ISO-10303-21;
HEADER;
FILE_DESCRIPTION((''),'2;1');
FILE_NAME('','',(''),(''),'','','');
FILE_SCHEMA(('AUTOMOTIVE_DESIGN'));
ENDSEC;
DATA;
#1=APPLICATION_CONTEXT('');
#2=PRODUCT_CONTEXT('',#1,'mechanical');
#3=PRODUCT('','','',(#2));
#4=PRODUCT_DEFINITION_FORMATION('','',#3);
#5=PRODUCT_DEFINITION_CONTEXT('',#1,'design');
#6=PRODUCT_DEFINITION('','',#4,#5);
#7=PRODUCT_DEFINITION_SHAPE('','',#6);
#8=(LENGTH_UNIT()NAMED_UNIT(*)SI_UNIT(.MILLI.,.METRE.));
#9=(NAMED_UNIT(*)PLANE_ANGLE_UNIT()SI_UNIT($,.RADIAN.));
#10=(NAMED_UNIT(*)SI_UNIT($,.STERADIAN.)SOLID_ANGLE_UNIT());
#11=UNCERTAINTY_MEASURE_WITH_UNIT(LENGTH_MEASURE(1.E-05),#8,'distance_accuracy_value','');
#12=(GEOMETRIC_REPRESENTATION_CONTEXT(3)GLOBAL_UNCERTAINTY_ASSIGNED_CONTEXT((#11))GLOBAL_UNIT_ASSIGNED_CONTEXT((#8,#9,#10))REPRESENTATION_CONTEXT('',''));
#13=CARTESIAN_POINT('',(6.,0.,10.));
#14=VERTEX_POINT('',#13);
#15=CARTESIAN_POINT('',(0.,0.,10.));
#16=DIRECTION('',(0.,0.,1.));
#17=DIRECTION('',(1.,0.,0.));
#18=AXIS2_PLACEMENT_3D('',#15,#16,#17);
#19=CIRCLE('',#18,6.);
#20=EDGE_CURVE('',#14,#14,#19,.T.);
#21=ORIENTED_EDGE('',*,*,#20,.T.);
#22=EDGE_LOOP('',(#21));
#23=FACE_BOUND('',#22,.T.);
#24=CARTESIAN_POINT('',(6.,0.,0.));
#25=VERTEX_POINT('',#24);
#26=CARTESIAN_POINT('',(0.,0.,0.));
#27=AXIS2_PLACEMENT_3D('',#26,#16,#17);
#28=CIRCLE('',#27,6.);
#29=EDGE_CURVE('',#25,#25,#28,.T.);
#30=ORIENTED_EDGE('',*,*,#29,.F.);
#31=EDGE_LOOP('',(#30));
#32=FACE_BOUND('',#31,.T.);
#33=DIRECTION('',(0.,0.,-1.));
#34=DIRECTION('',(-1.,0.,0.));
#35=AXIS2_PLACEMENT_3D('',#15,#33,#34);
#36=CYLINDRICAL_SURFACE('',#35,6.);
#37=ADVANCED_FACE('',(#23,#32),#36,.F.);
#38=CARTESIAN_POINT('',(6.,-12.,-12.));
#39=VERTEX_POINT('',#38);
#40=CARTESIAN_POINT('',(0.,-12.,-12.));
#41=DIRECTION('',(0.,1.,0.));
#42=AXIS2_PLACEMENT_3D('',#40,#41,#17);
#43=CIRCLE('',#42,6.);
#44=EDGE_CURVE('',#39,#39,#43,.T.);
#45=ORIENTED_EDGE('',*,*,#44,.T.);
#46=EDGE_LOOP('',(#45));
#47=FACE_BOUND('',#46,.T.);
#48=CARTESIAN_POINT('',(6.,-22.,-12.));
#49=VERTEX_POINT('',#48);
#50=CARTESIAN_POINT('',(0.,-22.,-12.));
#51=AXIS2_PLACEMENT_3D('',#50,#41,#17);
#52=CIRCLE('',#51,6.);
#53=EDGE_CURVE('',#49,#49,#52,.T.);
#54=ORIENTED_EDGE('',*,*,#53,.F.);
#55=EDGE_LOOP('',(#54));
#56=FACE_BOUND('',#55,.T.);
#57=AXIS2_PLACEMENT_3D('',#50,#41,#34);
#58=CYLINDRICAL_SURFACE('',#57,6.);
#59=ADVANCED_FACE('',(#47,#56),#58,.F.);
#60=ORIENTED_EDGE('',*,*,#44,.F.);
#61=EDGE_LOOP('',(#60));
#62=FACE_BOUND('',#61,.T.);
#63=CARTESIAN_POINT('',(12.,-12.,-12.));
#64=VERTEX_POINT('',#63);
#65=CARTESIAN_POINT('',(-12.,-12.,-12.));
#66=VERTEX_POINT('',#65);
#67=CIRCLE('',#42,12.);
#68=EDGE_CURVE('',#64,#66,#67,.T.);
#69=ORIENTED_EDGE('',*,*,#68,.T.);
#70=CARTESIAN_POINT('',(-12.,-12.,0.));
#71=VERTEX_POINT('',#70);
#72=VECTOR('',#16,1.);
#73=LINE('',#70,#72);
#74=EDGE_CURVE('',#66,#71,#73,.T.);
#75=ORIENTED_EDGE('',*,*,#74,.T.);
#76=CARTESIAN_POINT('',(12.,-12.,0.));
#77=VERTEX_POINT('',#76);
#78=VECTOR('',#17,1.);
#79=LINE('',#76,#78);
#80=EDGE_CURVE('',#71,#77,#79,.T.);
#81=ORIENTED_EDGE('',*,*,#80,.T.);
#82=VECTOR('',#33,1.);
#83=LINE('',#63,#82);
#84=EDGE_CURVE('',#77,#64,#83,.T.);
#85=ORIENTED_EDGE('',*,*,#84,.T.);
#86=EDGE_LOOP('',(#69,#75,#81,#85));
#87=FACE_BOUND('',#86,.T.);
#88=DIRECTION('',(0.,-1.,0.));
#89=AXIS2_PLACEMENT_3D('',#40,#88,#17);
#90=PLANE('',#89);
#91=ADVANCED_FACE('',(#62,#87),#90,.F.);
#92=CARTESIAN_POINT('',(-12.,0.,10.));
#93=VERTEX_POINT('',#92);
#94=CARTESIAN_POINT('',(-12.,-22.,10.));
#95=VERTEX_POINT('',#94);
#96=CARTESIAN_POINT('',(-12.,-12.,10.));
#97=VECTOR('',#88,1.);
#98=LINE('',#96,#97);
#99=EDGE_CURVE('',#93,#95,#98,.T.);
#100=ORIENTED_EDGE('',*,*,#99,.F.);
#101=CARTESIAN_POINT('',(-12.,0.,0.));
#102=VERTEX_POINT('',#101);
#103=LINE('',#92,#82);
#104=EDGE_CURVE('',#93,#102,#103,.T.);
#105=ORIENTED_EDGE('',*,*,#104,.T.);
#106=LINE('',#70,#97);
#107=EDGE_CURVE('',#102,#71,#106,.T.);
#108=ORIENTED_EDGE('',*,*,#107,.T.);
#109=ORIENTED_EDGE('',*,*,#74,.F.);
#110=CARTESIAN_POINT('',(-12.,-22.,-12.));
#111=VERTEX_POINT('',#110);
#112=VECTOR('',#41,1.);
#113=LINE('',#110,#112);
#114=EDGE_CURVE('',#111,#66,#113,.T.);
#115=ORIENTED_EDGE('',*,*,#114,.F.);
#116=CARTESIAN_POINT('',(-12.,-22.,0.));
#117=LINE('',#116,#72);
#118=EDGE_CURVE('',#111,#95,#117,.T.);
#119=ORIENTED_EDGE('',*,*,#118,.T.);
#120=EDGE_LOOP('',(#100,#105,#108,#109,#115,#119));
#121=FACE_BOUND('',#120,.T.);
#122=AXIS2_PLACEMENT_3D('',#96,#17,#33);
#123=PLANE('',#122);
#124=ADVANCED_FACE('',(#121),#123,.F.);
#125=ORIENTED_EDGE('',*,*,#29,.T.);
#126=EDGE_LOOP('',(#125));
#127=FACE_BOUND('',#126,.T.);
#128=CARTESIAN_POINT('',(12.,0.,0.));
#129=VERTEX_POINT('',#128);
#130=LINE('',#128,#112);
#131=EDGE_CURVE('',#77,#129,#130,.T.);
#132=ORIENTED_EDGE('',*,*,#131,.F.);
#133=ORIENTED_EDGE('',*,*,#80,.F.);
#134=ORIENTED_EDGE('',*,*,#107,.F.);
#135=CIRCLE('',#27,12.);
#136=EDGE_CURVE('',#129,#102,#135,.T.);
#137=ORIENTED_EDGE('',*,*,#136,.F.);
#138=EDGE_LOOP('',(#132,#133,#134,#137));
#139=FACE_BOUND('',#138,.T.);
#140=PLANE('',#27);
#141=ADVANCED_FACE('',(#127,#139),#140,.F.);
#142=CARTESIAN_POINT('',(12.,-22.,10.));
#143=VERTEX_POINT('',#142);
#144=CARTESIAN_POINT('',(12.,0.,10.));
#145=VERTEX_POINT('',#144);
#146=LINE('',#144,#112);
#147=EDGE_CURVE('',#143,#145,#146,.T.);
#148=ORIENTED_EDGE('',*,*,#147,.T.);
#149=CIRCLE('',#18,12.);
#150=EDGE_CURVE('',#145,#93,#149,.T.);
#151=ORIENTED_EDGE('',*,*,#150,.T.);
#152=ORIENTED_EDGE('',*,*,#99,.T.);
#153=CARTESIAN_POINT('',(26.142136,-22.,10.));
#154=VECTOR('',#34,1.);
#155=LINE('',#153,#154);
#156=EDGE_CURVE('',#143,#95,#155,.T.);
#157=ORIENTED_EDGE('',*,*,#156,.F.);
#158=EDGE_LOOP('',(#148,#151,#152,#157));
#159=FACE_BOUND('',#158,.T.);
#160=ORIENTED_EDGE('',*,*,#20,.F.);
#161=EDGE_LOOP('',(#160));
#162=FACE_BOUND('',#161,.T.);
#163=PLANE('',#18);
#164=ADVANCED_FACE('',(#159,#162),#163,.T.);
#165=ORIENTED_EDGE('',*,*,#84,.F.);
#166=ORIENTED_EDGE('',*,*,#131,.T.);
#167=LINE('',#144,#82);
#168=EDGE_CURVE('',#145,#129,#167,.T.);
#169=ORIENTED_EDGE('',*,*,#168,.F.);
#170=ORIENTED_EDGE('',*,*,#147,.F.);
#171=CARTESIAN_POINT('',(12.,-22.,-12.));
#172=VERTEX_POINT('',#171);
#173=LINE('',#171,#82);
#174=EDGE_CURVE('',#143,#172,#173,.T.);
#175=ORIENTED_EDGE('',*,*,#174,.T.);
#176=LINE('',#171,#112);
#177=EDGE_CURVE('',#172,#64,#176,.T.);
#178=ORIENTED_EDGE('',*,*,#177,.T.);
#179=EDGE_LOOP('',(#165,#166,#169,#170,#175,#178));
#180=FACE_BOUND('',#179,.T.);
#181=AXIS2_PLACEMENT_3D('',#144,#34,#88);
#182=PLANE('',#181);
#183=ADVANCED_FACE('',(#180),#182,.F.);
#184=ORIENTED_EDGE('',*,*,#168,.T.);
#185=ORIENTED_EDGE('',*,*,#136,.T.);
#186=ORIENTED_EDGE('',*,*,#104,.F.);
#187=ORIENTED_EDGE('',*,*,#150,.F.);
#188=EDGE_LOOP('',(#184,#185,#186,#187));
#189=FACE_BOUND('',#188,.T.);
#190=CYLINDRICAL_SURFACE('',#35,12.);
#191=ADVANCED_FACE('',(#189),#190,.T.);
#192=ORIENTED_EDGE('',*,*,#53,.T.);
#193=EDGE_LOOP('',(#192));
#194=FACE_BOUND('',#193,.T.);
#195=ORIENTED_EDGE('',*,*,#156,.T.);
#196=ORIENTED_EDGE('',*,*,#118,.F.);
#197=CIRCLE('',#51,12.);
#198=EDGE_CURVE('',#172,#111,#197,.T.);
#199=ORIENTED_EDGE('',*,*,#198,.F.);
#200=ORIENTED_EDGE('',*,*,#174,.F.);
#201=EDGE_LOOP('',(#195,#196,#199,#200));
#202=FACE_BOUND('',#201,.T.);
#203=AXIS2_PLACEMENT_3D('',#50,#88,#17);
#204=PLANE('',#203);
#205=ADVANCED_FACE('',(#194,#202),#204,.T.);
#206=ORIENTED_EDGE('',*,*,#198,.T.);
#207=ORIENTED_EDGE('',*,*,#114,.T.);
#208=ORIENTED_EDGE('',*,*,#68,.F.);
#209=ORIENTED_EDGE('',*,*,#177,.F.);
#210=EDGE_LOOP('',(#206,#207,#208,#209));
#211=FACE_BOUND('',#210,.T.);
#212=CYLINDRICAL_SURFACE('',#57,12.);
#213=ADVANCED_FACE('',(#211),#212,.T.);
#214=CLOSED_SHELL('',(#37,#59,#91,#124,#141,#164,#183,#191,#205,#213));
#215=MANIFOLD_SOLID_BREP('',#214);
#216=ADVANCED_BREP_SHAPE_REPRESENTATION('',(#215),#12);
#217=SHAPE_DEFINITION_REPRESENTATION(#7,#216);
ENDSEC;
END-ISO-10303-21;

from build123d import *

# Parameters (mm, degrees)
SKETCH1_R           = 6
BOSS_EXTRUDE1_DEPTH = 10
BOSS_EXTRUDE2_DEPTH = 24


with BuildPart() as part:
    # Sketch1 → Boss-Extrude1 (new body)
    with BuildSketch(Plane.XY):
        with BuildLine():
            Line((12, 0), (12, -12))
            Line((12, -12), (-12, -12))
            Line((-12, -12), (-12, 0))
            ThreePointArc((-12, 0), (0, 12), (12, 0))
        make_face()
        Circle(SKETCH1_R, mode=Mode.SUBTRACT)
    extrude(amount=BOSS_EXTRUDE1_DEPTH)

    # Sketch3 → Boss-Extrude2 (add)
    with BuildSketch(Plane.ZY.offset(12)):
        Polygon((0, -12), (10, -22), (10, -12), align=None)
    extrude(amount=-BOSS_EXTRUDE2_DEPTH)

    # Mirror6: part across plane


with BuildPart() as part_1:
    add(part.part)
    add(part.part.mirror(Plane(origin=(26.142135624, -12, 0), x_dir=(0, -0.7071067811865439, 0.7071067811865512), z_dir=(0, -0.7071067811865513, -0.7071067811865438))))


solid = part_1.part
